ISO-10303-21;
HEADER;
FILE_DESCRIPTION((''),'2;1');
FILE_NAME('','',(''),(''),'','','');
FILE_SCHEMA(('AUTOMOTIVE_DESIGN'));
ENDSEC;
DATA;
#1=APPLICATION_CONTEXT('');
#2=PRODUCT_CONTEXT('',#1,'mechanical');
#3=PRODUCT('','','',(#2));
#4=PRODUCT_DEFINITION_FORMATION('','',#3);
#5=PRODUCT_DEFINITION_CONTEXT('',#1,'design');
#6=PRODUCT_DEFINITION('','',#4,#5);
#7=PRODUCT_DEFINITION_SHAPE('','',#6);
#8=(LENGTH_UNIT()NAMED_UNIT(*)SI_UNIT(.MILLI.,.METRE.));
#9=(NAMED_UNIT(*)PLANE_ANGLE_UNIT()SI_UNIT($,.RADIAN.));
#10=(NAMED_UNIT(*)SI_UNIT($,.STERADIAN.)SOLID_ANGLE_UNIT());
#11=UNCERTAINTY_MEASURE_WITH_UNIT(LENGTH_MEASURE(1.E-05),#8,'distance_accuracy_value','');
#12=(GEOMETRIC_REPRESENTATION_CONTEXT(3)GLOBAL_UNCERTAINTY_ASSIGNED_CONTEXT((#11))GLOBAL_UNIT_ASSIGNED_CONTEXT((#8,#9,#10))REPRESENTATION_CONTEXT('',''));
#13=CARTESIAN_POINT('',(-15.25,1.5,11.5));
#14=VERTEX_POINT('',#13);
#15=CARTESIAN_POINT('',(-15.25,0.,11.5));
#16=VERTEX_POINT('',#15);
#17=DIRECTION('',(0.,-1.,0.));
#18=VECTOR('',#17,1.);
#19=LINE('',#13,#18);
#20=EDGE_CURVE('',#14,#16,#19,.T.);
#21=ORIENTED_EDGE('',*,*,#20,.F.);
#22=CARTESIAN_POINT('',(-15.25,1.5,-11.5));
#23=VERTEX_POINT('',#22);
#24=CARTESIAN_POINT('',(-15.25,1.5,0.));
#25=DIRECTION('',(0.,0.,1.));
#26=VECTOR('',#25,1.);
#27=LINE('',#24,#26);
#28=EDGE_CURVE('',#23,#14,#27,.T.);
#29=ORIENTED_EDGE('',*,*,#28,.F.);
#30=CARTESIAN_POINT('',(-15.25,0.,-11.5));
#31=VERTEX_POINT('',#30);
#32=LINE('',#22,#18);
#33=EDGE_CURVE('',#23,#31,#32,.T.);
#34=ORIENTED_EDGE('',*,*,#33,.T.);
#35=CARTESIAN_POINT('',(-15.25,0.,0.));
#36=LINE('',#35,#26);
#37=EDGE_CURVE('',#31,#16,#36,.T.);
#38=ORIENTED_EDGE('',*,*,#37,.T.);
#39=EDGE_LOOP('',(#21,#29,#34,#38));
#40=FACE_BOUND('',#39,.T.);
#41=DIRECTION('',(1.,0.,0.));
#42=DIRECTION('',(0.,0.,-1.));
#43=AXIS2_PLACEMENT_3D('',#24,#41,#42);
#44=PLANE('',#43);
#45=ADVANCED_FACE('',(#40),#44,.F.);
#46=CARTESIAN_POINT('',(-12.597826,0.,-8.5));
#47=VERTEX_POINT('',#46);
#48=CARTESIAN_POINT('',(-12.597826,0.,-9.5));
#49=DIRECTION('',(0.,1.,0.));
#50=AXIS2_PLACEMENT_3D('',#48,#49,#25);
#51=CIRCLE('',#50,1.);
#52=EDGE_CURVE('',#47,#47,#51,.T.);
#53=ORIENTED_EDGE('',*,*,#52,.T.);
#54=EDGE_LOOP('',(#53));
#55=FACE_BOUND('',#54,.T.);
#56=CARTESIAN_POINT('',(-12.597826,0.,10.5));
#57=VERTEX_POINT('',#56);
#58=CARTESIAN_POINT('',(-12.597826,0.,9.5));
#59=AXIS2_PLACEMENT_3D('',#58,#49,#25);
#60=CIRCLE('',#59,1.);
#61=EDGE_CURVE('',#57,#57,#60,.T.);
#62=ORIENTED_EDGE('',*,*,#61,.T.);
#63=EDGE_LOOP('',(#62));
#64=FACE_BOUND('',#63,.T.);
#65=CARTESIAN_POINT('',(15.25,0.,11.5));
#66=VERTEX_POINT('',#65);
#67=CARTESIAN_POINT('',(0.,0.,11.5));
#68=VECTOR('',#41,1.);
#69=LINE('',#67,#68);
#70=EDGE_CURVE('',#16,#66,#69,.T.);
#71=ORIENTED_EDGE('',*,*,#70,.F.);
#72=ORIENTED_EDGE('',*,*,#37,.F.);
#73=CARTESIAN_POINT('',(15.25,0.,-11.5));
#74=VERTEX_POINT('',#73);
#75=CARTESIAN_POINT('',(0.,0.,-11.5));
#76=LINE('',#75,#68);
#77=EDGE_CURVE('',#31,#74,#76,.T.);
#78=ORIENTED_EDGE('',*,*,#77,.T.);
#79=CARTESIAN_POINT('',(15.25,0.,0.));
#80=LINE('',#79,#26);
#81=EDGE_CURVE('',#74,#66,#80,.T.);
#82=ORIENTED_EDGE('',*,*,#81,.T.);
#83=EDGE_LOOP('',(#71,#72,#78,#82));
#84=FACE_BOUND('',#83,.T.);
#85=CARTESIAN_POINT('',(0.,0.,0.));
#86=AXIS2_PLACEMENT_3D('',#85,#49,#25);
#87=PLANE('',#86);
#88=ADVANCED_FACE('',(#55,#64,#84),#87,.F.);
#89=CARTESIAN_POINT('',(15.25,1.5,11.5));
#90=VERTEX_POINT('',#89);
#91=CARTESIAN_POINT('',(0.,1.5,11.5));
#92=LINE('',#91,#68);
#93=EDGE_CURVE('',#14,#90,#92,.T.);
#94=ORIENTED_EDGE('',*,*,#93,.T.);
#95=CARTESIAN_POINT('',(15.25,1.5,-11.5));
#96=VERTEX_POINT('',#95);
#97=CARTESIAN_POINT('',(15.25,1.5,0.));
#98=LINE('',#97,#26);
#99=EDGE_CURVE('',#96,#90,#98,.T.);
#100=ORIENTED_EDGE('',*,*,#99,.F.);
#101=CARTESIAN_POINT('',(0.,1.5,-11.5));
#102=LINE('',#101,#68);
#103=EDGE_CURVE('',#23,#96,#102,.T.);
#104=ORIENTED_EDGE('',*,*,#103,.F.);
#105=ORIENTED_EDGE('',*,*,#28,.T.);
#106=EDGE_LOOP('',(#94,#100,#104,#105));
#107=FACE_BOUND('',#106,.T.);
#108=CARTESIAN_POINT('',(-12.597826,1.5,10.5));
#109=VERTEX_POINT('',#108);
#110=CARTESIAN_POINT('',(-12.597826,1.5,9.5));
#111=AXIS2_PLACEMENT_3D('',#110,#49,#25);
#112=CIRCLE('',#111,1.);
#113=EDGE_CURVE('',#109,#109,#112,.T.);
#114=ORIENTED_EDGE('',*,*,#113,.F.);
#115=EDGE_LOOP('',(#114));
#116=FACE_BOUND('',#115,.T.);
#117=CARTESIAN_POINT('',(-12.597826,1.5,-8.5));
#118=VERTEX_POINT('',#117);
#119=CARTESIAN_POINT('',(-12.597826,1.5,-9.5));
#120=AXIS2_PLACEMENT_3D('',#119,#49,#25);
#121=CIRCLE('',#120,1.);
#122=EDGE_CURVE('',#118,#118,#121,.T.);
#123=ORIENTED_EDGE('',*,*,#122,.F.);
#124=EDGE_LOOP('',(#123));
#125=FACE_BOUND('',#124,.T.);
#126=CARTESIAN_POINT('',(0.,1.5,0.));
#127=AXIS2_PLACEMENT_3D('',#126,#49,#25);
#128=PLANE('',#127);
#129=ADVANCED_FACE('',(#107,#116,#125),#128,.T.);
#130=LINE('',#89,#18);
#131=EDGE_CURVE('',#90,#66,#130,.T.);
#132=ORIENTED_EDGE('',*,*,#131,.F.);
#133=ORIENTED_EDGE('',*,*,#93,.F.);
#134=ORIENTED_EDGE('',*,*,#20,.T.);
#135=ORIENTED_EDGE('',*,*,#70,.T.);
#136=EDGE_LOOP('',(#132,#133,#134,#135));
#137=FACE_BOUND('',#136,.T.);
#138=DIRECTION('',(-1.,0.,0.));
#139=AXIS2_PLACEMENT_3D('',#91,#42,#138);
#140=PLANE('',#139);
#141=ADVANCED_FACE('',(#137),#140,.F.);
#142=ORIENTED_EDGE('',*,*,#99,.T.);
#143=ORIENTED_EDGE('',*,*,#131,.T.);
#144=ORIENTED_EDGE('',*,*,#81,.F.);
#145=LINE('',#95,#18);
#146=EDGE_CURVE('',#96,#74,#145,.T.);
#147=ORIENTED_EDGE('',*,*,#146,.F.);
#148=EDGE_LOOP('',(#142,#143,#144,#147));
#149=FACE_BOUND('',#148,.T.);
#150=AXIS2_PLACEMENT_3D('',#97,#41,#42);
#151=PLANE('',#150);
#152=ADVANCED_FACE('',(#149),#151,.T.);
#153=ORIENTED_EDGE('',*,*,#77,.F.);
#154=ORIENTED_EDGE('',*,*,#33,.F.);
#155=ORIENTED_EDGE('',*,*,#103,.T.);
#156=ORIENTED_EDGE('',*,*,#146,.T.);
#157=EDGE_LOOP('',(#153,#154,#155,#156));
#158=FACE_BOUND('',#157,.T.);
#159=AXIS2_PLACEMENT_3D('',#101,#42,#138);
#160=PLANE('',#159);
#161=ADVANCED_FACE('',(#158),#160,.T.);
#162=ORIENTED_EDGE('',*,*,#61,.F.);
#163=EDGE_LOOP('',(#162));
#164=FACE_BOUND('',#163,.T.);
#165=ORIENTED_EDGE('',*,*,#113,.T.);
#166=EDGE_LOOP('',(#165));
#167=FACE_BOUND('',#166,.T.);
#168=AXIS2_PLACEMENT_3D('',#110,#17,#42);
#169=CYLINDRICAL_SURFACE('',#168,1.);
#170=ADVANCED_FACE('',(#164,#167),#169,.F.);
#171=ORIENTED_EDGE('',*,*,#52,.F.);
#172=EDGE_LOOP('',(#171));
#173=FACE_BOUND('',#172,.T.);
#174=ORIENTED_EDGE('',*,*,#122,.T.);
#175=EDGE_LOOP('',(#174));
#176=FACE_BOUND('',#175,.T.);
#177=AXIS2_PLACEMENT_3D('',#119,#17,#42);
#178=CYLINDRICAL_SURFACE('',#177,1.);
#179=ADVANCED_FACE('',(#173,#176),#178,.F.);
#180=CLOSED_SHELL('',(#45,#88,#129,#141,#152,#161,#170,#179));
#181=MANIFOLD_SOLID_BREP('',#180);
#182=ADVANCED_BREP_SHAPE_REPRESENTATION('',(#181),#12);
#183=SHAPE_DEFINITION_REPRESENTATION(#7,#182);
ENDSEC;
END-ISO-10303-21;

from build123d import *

# Parameters (mm, degrees)
SKETCH1_W           = 30.5
SKETCH1_H           = 23
SKETCH1_R           = 1
BOSS_EXTRUDE1_DEPTH = 1.5


with BuildPart() as part:
    # Sketch1 → Boss-Extrude1 (new body)
    with BuildSketch(Plane(origin=(0, 0, 0), x_dir=(1, 0, 0), z_dir=(0, 1, 0))):
        Rectangle(SKETCH1_W, SKETCH1_H)
        with Locations(Location((-12.597826087, 9.5, 0), (0, 0, 270))):
            Circle(SKETCH1_R, mode=Mode.SUBTRACT)
        with Locations(Location((-12.597826087, -9.5, 0), (0, 0, 270))):
            Circle(SKETCH1_R, mode=Mode.SUBTRACT)
    extrude(amount=BOSS_EXTRUDE1_DEPTH)


solid = part.part
